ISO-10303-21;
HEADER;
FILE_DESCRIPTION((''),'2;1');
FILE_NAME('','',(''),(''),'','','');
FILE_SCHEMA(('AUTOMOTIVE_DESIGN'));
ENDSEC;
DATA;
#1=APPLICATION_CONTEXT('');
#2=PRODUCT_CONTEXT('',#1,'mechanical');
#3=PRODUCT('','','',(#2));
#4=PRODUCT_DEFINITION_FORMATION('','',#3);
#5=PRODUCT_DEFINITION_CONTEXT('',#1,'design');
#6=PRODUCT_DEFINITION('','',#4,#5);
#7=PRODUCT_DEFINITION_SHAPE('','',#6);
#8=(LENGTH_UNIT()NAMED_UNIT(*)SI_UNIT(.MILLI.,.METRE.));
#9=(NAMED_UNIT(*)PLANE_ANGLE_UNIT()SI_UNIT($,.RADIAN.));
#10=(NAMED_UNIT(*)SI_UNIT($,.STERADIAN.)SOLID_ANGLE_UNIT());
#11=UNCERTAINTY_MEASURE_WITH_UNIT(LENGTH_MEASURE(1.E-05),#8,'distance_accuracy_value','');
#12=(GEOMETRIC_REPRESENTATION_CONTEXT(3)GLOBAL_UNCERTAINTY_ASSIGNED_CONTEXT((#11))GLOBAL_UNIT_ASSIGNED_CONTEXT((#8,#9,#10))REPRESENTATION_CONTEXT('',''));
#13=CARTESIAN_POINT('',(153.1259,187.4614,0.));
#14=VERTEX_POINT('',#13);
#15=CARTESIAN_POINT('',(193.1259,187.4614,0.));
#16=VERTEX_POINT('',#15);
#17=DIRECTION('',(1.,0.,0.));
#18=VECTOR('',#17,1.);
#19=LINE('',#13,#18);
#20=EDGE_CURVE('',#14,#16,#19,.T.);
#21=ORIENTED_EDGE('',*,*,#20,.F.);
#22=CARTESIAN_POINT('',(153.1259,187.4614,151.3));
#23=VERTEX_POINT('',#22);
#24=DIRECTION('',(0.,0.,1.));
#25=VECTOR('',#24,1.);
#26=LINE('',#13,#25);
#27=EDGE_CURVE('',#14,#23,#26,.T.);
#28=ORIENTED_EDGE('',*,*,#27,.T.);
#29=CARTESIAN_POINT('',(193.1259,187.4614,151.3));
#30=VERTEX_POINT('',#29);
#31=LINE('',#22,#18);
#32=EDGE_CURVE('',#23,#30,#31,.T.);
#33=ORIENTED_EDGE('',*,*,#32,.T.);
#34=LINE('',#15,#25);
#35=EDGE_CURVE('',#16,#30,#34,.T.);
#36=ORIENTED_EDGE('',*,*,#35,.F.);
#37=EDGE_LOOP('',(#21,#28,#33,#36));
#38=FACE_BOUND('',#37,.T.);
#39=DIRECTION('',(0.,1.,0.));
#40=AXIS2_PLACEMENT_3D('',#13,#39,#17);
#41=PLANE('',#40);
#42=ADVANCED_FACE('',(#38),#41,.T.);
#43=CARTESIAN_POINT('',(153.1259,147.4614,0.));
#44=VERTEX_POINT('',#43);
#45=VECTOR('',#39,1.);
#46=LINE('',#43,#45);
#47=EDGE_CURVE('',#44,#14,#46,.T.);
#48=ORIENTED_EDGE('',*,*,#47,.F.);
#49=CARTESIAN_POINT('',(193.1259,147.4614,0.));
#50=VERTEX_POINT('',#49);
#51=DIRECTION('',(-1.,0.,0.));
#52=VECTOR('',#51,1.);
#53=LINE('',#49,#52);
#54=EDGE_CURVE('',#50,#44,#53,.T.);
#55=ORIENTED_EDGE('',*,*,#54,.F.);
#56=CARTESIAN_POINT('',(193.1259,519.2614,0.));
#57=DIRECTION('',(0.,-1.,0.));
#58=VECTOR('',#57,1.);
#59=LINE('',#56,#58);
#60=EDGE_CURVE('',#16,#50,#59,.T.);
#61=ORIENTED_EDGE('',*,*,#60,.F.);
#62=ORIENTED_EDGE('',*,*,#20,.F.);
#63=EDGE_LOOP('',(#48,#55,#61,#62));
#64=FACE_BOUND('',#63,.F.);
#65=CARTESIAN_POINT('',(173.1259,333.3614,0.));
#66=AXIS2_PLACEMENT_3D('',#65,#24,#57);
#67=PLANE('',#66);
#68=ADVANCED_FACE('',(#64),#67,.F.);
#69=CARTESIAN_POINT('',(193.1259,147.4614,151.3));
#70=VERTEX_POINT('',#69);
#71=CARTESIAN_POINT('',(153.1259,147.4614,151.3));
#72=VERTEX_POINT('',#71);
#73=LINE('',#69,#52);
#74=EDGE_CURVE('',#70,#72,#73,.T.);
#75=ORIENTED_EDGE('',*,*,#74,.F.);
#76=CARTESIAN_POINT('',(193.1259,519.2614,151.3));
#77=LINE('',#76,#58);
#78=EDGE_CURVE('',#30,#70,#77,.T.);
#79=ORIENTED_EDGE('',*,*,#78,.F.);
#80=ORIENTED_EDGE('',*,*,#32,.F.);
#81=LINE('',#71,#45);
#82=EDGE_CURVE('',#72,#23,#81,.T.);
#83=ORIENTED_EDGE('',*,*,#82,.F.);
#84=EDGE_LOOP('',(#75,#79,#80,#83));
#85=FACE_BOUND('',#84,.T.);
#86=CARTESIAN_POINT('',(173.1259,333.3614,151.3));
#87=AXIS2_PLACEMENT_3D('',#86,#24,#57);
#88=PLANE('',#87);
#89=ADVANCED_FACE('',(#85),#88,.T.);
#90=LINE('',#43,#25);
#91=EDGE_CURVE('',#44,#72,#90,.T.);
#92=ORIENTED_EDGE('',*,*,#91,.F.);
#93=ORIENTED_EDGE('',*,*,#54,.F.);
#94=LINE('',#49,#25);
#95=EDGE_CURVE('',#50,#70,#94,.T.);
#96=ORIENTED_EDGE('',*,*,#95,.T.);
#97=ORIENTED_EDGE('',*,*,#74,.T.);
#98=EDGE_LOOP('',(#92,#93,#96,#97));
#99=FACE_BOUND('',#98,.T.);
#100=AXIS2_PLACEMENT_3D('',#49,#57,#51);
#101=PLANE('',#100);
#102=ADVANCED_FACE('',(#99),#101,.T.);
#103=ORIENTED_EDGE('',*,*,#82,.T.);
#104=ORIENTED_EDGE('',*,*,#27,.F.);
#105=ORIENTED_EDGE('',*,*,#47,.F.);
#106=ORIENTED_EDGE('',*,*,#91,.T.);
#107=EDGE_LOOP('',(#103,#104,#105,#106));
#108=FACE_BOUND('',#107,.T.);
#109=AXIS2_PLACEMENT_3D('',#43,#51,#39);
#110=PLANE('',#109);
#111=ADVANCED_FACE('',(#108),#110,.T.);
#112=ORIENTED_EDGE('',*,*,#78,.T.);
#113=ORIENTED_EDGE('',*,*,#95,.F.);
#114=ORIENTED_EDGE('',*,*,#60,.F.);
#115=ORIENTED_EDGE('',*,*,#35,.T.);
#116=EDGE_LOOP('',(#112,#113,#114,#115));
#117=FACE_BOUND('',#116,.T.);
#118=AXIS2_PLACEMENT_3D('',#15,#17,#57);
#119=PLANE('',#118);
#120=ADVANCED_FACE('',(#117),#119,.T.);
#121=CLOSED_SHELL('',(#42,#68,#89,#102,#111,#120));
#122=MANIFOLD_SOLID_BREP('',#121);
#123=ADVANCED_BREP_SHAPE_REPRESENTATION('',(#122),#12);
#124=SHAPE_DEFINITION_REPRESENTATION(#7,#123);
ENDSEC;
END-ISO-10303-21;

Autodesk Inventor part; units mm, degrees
ref_plane "YZ Plane" through (0, 0, 0) normal (1, 0, 0) x (0, 1, 0)
ref_plane "XZ Plane" through (0, 0, 0) normal (0, 1, 0) x (-1, 0, 0)
ref_plane "Work Plane1" through (173.1259, 333.3614, 0) normal (0, 0, 1) x (0, -1, 0)
sketch "Sketch1" plane through (173.1259, 333.3614, 0) normal (0, 0, 1) x (0, -1, 0)
  line L0 (-185.9, 20) -> (185.9, 20) projected
  line L1 (185.9, 20) -> (185.9, -20) projected
  line L2 (185.9, -20) -> (-185.9, -20) projected
  line L3 (-185.9, -20) -> (-185.9, 20) projected
  line L4 (185.9, -20) -> (145.9, -20)
  line L5 (145.9, -20) -> (145.9, 20)
  line L6 (145.9, 20) -> (185.9, 20)
  line L7 (185.9, 20) -> (185.9, -20)
  point P0 (333.3614, -173.1259)
  dimension "d0" = 40
ref_plane "Work Plane2" through (-483.3514, -22, 151.3) normal (0, 0, -1) x (0, 1, 0)
extrude "Extrusion1" add sketch "Sketch1" along normal up to surface (151.3 mm away) contours L0 L1 L2 L5
properties part number "Side Frame"
